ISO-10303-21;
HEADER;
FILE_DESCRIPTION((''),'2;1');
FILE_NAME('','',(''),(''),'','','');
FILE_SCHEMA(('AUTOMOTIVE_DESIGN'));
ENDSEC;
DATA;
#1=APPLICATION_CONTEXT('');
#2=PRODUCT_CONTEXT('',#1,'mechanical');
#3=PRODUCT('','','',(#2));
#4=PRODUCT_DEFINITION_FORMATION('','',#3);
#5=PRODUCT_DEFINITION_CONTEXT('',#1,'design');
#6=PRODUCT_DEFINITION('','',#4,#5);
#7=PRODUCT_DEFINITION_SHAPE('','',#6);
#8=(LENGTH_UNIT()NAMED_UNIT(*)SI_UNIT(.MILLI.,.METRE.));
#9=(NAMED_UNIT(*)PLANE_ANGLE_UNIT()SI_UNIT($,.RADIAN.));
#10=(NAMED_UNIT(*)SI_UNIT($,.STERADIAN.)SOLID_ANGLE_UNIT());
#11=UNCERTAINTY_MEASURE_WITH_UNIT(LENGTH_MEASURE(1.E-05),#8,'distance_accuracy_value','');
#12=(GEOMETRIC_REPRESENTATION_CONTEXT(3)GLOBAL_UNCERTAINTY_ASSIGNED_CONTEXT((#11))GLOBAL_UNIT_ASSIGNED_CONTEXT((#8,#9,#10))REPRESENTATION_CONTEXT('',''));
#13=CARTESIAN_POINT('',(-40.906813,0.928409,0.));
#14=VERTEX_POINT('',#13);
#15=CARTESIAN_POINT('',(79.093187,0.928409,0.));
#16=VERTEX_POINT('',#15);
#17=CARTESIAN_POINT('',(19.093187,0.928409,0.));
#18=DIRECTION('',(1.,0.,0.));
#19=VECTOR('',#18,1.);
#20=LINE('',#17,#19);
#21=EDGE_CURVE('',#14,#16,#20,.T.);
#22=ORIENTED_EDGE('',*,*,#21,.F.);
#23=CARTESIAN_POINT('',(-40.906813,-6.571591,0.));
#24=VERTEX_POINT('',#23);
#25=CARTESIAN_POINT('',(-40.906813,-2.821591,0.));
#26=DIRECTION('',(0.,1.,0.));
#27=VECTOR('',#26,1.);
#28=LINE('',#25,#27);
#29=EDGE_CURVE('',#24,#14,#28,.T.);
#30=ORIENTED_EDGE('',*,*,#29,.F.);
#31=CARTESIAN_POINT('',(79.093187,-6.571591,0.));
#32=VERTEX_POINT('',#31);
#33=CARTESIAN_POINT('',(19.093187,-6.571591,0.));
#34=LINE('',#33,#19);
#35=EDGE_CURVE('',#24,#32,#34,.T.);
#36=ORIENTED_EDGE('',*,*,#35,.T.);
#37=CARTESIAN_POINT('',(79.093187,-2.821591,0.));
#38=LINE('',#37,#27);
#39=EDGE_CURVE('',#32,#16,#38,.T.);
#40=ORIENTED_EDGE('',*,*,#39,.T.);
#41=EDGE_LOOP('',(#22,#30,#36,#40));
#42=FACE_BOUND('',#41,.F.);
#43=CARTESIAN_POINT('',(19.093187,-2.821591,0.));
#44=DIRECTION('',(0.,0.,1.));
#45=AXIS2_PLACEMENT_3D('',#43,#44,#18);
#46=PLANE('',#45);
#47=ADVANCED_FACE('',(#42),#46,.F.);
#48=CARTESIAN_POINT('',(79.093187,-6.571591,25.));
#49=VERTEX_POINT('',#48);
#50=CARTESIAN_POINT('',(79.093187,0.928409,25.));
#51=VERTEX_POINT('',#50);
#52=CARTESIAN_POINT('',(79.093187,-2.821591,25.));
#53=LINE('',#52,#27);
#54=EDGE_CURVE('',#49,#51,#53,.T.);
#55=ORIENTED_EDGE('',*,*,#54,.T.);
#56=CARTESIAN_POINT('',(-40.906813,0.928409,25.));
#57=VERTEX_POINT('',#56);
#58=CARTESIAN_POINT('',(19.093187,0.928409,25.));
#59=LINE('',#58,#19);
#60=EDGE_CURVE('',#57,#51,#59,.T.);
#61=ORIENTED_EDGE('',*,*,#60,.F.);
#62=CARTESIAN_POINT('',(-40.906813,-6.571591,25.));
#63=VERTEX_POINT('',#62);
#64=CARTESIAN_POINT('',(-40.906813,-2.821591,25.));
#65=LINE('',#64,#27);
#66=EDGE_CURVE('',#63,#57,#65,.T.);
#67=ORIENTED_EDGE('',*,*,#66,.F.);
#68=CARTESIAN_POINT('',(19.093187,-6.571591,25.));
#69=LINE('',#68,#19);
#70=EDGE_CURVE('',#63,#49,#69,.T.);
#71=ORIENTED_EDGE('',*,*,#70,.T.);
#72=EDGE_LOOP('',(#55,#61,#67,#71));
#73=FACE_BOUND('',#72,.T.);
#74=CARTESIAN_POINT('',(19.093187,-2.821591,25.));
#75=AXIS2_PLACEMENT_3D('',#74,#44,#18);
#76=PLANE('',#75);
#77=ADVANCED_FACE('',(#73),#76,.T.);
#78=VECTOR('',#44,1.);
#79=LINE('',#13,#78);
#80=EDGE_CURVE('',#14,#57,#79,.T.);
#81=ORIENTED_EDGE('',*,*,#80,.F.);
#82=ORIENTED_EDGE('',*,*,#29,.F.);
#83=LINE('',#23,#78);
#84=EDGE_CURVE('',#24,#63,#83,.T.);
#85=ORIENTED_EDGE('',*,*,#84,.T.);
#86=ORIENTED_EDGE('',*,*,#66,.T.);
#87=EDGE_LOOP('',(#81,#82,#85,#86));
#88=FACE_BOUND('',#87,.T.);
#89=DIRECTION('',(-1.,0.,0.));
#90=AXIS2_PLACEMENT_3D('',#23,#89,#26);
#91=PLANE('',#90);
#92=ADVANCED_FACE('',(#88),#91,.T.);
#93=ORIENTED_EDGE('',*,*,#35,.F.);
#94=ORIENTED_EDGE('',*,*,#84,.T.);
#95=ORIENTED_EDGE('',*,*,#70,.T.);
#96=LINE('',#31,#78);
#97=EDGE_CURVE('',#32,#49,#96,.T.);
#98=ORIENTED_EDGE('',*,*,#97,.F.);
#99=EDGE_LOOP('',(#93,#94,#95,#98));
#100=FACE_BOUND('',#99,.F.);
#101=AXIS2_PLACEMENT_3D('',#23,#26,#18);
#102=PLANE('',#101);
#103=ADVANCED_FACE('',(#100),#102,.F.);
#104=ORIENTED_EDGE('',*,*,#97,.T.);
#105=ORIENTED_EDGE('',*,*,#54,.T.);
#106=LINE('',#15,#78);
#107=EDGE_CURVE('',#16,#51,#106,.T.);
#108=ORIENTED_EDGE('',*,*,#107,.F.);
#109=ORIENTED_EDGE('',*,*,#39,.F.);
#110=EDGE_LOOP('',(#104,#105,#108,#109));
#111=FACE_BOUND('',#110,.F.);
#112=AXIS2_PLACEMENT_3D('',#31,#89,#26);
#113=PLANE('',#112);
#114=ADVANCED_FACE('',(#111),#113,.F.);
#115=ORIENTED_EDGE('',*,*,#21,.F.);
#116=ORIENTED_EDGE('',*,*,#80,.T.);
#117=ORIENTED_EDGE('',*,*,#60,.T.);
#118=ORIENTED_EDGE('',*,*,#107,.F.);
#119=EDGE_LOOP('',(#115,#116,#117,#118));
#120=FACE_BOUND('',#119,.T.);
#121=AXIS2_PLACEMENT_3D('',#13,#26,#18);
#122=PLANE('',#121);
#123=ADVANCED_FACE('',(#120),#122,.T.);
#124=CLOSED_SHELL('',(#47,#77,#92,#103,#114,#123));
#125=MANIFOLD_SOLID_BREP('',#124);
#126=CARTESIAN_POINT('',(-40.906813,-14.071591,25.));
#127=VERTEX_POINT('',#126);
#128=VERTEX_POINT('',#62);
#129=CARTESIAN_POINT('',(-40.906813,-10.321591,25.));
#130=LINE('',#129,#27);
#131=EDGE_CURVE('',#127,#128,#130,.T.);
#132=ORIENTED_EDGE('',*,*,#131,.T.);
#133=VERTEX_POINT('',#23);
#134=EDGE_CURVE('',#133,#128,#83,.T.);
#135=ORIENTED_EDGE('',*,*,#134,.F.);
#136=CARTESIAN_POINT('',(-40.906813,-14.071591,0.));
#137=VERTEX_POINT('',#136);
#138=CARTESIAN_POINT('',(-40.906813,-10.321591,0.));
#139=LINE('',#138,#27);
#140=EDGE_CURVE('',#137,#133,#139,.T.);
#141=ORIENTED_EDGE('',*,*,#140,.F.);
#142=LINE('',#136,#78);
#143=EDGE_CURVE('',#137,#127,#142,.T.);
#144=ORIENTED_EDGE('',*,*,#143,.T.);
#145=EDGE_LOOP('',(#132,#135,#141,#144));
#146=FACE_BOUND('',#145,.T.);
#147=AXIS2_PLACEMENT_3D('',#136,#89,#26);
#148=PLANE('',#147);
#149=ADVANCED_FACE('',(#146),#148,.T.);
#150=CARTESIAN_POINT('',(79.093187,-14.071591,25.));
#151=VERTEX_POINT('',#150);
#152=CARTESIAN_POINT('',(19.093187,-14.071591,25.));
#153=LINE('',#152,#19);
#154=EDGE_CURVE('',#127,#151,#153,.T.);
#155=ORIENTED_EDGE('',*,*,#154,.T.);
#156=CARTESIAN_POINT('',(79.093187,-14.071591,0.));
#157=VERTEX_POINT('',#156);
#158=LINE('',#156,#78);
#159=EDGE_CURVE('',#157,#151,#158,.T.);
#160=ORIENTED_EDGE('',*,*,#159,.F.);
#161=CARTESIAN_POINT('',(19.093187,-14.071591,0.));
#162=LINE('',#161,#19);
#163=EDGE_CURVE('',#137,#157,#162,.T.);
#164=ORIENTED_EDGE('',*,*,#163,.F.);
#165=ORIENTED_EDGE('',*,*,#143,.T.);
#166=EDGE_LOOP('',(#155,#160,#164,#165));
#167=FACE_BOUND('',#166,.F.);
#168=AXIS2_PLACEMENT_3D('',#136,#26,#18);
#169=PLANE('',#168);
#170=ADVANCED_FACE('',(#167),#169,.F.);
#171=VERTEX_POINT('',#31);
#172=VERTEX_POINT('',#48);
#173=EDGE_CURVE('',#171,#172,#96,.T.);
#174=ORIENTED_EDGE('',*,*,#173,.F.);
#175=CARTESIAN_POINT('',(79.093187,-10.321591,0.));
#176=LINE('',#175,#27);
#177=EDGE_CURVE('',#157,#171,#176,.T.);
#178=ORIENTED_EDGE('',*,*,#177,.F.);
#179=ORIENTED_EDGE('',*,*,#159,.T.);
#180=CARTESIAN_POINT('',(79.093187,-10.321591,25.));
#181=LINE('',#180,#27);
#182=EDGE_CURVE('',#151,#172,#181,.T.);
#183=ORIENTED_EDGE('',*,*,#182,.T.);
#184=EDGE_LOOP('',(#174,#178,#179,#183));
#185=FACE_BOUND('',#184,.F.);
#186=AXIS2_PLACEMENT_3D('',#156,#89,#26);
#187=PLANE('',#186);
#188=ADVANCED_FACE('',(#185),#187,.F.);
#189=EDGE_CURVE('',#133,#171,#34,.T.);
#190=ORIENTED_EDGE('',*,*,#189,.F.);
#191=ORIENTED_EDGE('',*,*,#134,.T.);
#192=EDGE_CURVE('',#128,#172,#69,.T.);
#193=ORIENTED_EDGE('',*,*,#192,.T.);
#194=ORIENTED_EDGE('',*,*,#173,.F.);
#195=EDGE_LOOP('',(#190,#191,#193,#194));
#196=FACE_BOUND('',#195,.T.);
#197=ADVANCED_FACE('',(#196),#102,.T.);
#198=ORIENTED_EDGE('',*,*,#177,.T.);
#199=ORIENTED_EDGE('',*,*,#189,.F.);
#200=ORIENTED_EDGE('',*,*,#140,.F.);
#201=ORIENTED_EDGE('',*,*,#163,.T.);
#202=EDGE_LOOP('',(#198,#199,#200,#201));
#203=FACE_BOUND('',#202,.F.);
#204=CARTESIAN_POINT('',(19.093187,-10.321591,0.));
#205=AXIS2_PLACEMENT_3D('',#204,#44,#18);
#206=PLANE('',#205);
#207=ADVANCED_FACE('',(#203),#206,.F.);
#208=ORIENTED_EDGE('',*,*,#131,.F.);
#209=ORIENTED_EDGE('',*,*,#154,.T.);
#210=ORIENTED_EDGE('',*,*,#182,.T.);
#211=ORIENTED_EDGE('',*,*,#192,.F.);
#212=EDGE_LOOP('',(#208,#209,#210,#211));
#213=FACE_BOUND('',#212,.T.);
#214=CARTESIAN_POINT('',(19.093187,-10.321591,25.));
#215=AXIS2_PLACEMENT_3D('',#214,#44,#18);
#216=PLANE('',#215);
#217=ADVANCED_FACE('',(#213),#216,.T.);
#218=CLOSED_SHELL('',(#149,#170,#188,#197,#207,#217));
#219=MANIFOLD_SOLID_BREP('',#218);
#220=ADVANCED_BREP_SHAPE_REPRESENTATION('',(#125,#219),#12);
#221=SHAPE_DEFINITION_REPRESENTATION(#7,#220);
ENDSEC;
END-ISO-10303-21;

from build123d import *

# Parameters (mm, degrees)
F1_DEPTH = 25
F0_W     = 120
F0_H     = 7.5
F2_DEPTH = 25


with BuildPart() as f1:
    # F0 (on Top) → F1 (new body)
    with BuildSketch(Plane.XY):
        with BuildLine():
            Line((-55.5115031336, -1.2673012726), (-60.5115031336, -1.2673012726))
            Line((-60.5115031336, -1.2673012726), (-60.5115031336, -6.2673012726))
            ThreePointArc((-60.5115031336, -6.2673012726), (-59.0470370395, -2.7317673667), (-55.5115031336, -1.2673012726))
        make_face()
    extrude(amount=F1_DEPTH)


with BuildPart() as f1b:
    # F0 (on Top) → F1, piece 2 (new body)
    with BuildSketch(Plane.XY):
        with BuildLine():
            Line((-50.5115031336, -1.2673012726), (-55.5115031336, -1.2673012726))
            ThreePointArc((-55.5115031336, -1.2673012726), (-51.9759692277, -2.7317673667), (-50.5115031336, -6.2673012726))
            Line((-50.5115031336, -6.2673012726), (-50.5115031336, -1.2673012726))
        make_face()
    extrude(amount=F1_DEPTH)


with BuildPart() as f1c:
    # F0 (on Top) → F1, piece 3 (new body)
    with BuildSketch(Plane.XY):
        with BuildLine():
            ThreePointArc((-55.5115031336, -11.2673012726), (-59.0470370395, -9.8028351785), (-60.5115031336, -6.2673012726))
            Line((-60.5115031336, -6.2673012726), (-60.5115031336, -11.2673012726))
            Line((-60.5115031336, -11.2673012726), (-55.5115031336, -11.2673012726))
        make_face()
    extrude(amount=F1_DEPTH)


with BuildPart() as f1d:
    # F0 (on Top) → F1, piece 4 (new body)
    with BuildSketch(Plane.XY):
        with BuildLine():
            Line((-50.5115031336, -11.2673012726), (-50.5115031336, -6.2673012726))
            ThreePointArc((-50.5115031336, -6.2673012726), (-51.9759692277, -9.8028351785), (-55.5115031336, -11.2673012726))
            Line((-55.5115031336, -11.2673012726), (-50.5115031336, -11.2673012726))
        make_face()
    extrude(amount=F1_DEPTH)


with BuildPart() as f1e:
    # F0 (on Top) → F1, piece 5 (new body)
    with BuildSketch(Plane.XY):
        with Locations((19.0931870043, -10.3215911984)):
            Rectangle(F0_W, F0_H)
    extrude(amount=F1_DEPTH)


with BuildPart() as f2:
    # F0 (on Top) → F2 (new body)
    with BuildSketch(Plane.XY):
        with BuildLine():
            ThreePointArc((-50.5115031336, -6.2673012726), (-51.9759692277, -2.7317673667), (-55.5115031336, -1.2673012726))
            ThreePointArc((-55.5115031336, -1.2673012726), (-59.0470370395, -2.7317673667), (-60.5115031336, -6.2673012726))
            ThreePointArc((-60.5115031336, -6.2673012726), (-59.0470370395, -9.8028351785), (-55.5115031336, -11.2673012726))
            ThreePointArc((-55.5115031336, -11.2673012726), (-51.9759692277, -9.8028351785), (-50.5115031336, -6.2673012726))
        make_face()
    extrude(amount=F2_DEPTH)


with BuildPart() as f2b:
    # F0 (on Top) → F2, piece 2 (new body)
    with BuildSketch(Plane.XY):
        with Locations((19.0931870043, -2.8215911984)):
            Rectangle(F0_W, F0_H)
    extrude(amount=F2_DEPTH)


solid = Compound([f1e.part, f2b.part])
